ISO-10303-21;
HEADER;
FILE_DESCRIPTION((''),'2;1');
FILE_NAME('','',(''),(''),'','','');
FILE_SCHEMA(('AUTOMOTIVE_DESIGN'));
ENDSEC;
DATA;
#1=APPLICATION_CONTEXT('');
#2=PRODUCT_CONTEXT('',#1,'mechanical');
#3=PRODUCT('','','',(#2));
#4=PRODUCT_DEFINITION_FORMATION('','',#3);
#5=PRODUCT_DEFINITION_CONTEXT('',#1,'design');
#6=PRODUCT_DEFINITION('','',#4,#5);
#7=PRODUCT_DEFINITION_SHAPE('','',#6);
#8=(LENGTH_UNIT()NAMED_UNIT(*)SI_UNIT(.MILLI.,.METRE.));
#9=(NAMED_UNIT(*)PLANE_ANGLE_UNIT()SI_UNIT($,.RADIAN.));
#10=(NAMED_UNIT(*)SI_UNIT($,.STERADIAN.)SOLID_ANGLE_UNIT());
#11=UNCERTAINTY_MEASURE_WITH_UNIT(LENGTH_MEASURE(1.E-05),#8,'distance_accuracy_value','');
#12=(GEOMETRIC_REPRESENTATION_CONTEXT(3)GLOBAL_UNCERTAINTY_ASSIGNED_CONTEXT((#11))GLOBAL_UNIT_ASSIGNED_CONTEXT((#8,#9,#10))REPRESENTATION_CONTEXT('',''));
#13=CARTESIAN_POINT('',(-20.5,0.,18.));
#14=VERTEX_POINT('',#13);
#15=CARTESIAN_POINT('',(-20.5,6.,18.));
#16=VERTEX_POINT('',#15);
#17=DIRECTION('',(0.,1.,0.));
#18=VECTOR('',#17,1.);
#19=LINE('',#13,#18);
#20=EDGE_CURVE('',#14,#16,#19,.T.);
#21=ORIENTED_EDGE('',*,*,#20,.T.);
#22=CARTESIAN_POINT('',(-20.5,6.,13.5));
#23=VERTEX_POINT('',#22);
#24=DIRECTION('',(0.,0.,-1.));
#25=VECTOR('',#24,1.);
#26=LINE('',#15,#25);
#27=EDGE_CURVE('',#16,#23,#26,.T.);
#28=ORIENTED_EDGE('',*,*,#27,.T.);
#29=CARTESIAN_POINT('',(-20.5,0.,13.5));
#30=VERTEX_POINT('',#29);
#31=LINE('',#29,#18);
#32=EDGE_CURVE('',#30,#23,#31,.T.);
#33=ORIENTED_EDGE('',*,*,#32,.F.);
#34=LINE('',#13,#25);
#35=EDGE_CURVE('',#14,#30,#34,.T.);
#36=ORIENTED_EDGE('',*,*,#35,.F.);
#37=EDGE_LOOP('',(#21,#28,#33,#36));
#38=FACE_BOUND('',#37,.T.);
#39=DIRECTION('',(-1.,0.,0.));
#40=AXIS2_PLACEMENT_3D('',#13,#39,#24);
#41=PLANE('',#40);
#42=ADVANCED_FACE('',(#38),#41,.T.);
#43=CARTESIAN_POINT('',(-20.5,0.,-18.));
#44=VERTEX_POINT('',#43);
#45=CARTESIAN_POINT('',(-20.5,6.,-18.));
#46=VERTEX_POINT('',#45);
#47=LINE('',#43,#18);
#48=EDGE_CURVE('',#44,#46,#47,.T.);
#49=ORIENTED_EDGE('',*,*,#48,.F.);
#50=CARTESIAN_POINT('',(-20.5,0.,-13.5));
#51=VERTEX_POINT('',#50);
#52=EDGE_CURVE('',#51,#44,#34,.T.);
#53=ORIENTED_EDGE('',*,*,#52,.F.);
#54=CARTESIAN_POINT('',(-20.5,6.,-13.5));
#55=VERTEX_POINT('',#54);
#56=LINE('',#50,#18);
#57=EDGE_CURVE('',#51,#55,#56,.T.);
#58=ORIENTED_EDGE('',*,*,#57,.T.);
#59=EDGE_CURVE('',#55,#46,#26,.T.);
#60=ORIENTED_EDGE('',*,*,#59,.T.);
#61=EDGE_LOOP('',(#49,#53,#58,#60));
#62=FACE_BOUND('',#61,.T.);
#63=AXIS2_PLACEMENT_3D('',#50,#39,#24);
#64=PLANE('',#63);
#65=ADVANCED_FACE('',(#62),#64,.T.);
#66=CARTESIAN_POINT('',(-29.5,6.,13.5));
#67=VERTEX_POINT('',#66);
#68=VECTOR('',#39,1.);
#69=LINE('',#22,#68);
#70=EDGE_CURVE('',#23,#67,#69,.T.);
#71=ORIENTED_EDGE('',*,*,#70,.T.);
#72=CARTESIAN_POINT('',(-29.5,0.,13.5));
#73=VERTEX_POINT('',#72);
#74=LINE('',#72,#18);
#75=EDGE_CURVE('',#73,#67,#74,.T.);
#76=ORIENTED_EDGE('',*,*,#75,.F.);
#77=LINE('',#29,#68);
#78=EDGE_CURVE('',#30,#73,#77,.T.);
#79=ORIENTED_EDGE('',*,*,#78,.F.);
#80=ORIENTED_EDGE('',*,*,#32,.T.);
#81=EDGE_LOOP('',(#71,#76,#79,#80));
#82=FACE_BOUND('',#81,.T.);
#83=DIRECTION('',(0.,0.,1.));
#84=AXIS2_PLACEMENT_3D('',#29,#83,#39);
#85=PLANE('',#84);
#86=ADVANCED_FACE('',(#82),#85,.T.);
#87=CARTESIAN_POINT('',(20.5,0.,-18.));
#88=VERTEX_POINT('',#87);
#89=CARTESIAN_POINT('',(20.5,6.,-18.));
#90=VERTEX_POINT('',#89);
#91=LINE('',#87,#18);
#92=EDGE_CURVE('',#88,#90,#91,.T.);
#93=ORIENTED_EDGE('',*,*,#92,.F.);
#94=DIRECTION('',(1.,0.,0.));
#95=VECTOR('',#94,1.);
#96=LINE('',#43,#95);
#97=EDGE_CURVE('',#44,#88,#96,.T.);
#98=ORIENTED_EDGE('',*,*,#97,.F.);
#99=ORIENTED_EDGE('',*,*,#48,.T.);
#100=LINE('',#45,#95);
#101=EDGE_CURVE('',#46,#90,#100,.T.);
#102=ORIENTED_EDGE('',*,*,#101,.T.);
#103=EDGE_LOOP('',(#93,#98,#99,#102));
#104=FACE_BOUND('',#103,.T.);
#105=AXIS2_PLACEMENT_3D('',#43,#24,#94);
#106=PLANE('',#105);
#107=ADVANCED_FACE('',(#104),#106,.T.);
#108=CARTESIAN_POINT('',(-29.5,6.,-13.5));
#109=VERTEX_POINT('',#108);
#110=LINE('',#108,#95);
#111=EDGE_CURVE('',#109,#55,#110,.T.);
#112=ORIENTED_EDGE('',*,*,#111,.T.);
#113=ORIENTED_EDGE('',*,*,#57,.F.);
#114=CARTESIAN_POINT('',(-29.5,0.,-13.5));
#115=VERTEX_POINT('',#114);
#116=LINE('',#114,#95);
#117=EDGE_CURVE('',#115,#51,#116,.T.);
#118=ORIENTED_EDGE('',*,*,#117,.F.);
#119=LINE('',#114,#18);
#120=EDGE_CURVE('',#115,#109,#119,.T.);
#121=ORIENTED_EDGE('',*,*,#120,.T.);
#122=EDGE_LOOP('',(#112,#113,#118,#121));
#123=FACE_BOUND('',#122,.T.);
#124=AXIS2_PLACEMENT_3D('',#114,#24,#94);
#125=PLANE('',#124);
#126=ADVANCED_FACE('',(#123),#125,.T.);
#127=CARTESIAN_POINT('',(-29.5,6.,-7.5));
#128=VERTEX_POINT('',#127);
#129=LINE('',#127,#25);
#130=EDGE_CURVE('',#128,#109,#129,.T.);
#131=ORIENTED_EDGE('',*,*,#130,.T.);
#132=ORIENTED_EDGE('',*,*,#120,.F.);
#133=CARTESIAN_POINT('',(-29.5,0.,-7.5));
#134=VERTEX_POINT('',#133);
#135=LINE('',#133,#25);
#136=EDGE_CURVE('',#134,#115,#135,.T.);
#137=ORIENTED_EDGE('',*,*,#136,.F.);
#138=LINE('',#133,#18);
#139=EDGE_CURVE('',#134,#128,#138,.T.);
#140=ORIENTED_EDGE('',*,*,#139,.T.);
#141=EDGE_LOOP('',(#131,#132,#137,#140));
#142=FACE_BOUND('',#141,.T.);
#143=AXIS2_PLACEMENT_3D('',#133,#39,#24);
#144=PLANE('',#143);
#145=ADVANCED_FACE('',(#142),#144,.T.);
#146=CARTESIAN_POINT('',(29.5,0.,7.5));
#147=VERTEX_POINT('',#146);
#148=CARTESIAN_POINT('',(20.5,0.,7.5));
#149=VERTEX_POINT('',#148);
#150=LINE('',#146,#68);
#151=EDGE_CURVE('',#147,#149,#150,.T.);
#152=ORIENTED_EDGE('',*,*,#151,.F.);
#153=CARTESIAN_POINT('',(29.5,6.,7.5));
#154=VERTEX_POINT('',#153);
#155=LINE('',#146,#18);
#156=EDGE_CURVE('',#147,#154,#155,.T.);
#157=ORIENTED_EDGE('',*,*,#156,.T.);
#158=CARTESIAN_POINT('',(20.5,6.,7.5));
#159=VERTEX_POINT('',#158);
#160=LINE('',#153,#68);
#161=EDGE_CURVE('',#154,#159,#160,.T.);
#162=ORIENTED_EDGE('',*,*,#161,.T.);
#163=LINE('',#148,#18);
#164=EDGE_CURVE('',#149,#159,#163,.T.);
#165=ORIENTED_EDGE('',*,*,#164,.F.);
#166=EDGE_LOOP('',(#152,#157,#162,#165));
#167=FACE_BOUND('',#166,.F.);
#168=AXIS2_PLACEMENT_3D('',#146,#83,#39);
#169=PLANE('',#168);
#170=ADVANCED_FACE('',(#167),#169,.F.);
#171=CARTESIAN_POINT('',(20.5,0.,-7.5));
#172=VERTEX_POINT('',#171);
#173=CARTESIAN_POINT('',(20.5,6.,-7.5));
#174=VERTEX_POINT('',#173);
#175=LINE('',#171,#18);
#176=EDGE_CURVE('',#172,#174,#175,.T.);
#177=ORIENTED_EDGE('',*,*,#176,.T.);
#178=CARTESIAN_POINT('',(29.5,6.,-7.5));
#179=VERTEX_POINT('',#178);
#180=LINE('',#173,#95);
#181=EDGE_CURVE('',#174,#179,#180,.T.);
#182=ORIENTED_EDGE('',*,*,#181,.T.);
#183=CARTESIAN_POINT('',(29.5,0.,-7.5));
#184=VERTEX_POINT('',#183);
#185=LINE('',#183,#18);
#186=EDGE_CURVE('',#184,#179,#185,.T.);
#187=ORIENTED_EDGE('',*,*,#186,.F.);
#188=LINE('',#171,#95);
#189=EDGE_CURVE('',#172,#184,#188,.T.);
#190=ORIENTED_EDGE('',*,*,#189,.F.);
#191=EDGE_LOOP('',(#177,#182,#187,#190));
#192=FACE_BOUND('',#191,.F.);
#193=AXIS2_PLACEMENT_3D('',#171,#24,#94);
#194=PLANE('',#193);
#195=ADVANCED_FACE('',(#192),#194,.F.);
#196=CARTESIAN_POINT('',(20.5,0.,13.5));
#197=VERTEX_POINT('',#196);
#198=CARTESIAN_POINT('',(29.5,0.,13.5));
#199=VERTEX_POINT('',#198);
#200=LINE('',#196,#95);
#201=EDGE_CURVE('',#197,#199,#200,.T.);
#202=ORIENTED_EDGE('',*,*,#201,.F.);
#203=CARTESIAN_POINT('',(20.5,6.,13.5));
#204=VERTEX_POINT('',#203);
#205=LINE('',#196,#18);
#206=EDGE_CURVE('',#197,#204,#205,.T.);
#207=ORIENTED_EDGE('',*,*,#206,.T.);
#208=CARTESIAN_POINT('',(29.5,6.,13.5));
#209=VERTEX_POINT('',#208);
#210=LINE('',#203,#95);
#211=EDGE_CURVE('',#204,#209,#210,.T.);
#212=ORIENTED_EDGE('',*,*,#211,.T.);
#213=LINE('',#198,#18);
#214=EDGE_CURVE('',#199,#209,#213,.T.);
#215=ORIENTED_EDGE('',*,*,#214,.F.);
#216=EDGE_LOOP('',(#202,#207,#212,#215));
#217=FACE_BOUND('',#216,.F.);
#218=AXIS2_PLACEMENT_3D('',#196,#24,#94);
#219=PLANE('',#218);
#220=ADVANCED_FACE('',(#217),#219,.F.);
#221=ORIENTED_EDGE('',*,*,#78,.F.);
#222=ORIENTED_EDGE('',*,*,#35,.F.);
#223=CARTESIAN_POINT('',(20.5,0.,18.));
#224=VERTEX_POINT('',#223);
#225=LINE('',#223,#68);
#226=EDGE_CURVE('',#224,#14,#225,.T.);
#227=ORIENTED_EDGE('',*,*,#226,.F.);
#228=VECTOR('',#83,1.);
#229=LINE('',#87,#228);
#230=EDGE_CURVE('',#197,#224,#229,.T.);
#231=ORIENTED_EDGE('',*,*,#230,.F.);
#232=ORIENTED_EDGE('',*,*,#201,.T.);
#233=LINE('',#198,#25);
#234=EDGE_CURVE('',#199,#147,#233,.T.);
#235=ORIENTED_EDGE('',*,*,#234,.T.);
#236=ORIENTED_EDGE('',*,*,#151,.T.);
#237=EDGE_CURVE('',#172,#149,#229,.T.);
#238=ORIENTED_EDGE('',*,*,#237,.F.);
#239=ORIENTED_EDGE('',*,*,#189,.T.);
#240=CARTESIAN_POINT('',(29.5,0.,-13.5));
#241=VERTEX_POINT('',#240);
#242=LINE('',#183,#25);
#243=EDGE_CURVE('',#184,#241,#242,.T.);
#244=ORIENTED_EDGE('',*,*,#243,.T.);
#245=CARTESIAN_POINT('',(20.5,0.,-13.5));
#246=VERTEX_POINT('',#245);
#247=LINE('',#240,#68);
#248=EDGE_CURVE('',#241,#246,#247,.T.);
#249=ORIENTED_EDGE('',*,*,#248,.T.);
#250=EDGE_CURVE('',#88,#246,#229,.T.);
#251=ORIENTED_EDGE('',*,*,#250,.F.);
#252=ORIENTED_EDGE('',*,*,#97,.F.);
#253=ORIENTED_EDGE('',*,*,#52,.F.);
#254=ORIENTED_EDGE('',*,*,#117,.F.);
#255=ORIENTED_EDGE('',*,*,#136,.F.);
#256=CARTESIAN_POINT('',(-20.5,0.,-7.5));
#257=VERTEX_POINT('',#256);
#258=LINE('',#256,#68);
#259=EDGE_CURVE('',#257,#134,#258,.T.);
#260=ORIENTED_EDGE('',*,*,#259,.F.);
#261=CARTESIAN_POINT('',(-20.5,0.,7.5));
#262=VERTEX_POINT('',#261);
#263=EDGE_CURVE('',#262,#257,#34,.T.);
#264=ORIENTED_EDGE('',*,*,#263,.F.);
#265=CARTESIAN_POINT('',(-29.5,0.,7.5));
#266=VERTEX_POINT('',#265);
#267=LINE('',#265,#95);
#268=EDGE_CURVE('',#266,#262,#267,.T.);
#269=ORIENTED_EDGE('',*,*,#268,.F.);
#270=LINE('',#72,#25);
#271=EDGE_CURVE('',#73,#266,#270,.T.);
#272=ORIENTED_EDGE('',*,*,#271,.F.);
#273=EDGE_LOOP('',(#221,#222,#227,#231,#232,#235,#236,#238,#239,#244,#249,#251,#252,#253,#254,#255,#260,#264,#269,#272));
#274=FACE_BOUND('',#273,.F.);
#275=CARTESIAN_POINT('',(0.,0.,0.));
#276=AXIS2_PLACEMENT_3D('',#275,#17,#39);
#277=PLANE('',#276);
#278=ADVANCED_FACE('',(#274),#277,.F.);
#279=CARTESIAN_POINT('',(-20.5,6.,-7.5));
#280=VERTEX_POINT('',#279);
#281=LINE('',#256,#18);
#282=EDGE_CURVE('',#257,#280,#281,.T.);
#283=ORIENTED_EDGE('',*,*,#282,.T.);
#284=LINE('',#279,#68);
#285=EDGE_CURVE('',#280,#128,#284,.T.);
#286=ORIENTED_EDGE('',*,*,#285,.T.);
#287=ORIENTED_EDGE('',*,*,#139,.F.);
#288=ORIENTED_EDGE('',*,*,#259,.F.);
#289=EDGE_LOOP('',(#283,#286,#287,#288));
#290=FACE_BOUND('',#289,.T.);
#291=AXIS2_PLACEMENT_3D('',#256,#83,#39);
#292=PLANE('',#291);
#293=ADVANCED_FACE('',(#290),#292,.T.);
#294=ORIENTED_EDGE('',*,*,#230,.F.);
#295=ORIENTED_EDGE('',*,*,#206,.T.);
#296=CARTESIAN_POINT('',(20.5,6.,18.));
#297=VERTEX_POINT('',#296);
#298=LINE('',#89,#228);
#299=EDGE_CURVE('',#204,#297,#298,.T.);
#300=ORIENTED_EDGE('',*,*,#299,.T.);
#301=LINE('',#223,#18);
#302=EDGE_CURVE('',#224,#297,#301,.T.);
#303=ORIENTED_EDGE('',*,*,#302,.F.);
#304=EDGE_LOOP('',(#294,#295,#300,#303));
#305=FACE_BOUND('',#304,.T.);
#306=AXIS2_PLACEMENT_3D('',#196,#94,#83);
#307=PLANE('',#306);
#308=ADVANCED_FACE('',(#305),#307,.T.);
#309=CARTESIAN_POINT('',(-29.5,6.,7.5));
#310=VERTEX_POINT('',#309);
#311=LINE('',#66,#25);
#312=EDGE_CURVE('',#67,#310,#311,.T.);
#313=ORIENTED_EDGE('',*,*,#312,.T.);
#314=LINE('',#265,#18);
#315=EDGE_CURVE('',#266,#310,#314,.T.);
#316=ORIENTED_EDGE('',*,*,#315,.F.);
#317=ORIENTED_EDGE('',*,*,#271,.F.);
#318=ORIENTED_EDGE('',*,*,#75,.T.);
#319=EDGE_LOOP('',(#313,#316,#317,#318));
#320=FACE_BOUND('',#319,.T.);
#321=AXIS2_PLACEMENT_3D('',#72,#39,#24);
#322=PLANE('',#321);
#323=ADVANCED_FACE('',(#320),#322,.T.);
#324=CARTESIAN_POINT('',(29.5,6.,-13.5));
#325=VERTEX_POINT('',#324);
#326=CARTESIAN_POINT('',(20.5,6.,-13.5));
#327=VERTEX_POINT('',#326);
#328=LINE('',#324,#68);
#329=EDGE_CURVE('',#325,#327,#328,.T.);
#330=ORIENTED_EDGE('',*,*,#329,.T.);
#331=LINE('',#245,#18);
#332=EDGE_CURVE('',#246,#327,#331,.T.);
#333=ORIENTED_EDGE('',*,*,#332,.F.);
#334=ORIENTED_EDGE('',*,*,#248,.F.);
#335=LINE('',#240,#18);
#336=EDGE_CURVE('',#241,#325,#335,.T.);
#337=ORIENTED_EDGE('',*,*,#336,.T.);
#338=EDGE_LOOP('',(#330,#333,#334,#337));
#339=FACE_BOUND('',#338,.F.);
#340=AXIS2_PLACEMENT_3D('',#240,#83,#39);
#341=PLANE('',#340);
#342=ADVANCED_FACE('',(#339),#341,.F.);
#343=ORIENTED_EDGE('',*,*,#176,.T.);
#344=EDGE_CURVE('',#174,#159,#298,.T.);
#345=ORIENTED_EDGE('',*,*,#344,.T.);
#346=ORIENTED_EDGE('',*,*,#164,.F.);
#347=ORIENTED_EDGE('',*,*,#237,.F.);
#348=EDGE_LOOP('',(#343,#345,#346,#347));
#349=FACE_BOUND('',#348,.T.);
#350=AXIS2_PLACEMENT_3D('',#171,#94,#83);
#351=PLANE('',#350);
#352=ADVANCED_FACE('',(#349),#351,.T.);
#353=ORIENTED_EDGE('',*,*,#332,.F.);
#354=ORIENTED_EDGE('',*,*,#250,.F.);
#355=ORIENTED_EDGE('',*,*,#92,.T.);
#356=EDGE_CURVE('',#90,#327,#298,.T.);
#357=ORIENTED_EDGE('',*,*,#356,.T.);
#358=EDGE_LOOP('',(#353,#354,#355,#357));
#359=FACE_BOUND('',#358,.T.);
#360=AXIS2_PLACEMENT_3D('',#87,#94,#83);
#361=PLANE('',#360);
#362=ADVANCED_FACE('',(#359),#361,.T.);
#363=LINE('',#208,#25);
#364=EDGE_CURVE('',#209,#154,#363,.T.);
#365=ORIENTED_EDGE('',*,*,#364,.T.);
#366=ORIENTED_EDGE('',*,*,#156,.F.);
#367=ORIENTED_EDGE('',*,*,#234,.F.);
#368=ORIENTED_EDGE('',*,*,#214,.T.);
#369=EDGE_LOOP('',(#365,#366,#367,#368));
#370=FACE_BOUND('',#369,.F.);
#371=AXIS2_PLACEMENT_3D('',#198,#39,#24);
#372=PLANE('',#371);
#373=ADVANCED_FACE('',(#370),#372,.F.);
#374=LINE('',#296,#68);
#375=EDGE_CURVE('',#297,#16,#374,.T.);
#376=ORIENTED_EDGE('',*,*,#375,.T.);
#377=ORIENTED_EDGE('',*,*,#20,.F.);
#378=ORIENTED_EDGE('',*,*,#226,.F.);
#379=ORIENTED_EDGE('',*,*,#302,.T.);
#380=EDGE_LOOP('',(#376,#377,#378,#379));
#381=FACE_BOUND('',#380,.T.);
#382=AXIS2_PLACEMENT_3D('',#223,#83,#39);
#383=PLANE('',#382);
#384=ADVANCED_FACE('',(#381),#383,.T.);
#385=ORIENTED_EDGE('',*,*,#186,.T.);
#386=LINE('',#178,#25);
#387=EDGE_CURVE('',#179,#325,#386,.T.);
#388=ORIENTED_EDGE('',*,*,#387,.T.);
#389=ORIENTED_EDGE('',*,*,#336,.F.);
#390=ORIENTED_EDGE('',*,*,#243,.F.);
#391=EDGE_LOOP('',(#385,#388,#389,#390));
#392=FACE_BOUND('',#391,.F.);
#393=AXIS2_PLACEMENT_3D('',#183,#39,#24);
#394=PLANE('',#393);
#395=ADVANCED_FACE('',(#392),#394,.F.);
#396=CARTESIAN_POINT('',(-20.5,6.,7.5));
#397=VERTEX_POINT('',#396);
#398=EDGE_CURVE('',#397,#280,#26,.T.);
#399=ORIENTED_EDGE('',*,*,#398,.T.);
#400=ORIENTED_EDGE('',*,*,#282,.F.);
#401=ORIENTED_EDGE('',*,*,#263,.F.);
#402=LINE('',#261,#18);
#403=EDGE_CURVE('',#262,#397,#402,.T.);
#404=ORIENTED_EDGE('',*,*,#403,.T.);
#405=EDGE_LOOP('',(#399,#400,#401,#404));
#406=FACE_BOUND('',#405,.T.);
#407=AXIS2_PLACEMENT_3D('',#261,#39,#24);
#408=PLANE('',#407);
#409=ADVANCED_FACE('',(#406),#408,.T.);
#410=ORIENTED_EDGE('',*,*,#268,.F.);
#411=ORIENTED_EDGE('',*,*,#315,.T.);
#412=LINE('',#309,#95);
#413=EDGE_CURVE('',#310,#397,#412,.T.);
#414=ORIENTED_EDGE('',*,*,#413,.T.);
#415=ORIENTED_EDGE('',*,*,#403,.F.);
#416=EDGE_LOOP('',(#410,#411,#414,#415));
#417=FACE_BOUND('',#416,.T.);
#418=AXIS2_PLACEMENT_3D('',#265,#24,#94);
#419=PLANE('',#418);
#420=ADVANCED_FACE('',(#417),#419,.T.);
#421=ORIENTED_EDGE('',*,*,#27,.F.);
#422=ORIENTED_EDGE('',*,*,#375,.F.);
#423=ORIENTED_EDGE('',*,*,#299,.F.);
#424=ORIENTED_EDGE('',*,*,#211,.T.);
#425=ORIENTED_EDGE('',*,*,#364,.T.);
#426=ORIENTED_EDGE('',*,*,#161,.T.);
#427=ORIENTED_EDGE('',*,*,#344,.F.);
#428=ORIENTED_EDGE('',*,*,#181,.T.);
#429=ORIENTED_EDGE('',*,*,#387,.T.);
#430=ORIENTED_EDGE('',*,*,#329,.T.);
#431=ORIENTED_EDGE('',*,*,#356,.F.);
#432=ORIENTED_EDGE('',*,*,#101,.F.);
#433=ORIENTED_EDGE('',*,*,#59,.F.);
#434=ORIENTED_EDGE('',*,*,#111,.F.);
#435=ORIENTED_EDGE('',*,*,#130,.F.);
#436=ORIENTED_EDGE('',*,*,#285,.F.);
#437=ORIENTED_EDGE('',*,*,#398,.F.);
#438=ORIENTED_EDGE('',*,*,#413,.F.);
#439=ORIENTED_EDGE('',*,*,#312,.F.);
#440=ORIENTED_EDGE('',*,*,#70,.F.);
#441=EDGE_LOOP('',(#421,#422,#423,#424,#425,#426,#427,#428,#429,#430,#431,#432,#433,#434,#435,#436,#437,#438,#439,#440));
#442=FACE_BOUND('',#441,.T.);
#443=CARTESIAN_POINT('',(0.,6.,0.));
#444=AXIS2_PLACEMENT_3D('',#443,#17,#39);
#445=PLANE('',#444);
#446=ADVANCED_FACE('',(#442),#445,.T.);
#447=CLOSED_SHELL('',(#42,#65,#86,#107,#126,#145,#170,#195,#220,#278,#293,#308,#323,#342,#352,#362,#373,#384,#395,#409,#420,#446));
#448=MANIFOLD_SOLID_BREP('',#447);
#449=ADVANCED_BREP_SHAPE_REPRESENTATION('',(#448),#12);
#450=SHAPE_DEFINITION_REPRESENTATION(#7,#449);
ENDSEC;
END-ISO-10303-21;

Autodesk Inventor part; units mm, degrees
ref_plane "YZ Plane" through (0, 0, 0) normal (1, 0, 0) x (0, 1, 0)
ref_plane "XZ Plane" through (0, 0, 0) normal (0, 1, 0) x (-1, 0, 0)
ref_plane "XY Plane" through (0, 0, 0) normal (0, 0, 1) x (1, 0, 0)
sketch "Sketch1" plane through (0, 0, 0) normal (0, 1, 0) x (-1, 0, 0)
  line L0 (20.5, -18) -> (-20.5, -18)
  line L1 (-20.5, -18) -> (-20.5, 18)
  line L2 (-20.5, 18) -> (20.5, 18)
  line L3 (20.5, 18) -> (20.5, -18)
  line L4 (20.5, -18) -> (-20.5, 18) construction
  line L5 (-20.5, -18) -> (20.5, 18) construction
  line L6 (-20.5, 13.5) -> (-29.5, 13.5)
  line L7 (-29.5, 13.5) -> (-29.5, 7.5)
  line L8 (-29.5, 7.5) -> (-20.5, 7.5)
  line L9 (-20.5, 7.5) -> (-20.5, 13.5)
  line L10 (-20.5, -7.5) -> (-29.5, -7.5)
  line L11 (-29.5, -7.5) -> (-29.5, -13.5)
  line L12 (-29.5, -13.5) -> (-20.5, -13.5)
  line L13 (-20.5, -13.5) -> (-20.5, -7.5)
  line L14 (0, 18) -> (0, -18) construction
  line L15 (20.5, 13.5) -> (29.5, 13.5)
  line L16 (29.5, 13.5) -> (29.5, 7.5)
  line L17 (29.5, 7.5) -> (20.5, 7.5)
  line L18 (20.5, 7.5) -> (20.5, 13.5)
  line L19 (20.5, -7.5) -> (29.5, -7.5)
  line L20 (29.5, -7.5) -> (29.5, -13.5)
  line L21 (29.5, -13.5) -> (20.5, -13.5)
  line L22 (20.5, -13.5) -> (20.5, -7.5)
  point P0 (0, 0)
  dimension "d0" = 41
  dimension "d1" = 36
  dimension "d2" = 9
  dimension "d3" = 6
  dimension "d4" = 9
  dimension "d5" = 6
  dimension "d6" = 4.5
  dimension "d7" = 15
extrude "Extrusion1" add sketch "Sketch1" along normal blind 6
properties part number "wall-back-scaled"
